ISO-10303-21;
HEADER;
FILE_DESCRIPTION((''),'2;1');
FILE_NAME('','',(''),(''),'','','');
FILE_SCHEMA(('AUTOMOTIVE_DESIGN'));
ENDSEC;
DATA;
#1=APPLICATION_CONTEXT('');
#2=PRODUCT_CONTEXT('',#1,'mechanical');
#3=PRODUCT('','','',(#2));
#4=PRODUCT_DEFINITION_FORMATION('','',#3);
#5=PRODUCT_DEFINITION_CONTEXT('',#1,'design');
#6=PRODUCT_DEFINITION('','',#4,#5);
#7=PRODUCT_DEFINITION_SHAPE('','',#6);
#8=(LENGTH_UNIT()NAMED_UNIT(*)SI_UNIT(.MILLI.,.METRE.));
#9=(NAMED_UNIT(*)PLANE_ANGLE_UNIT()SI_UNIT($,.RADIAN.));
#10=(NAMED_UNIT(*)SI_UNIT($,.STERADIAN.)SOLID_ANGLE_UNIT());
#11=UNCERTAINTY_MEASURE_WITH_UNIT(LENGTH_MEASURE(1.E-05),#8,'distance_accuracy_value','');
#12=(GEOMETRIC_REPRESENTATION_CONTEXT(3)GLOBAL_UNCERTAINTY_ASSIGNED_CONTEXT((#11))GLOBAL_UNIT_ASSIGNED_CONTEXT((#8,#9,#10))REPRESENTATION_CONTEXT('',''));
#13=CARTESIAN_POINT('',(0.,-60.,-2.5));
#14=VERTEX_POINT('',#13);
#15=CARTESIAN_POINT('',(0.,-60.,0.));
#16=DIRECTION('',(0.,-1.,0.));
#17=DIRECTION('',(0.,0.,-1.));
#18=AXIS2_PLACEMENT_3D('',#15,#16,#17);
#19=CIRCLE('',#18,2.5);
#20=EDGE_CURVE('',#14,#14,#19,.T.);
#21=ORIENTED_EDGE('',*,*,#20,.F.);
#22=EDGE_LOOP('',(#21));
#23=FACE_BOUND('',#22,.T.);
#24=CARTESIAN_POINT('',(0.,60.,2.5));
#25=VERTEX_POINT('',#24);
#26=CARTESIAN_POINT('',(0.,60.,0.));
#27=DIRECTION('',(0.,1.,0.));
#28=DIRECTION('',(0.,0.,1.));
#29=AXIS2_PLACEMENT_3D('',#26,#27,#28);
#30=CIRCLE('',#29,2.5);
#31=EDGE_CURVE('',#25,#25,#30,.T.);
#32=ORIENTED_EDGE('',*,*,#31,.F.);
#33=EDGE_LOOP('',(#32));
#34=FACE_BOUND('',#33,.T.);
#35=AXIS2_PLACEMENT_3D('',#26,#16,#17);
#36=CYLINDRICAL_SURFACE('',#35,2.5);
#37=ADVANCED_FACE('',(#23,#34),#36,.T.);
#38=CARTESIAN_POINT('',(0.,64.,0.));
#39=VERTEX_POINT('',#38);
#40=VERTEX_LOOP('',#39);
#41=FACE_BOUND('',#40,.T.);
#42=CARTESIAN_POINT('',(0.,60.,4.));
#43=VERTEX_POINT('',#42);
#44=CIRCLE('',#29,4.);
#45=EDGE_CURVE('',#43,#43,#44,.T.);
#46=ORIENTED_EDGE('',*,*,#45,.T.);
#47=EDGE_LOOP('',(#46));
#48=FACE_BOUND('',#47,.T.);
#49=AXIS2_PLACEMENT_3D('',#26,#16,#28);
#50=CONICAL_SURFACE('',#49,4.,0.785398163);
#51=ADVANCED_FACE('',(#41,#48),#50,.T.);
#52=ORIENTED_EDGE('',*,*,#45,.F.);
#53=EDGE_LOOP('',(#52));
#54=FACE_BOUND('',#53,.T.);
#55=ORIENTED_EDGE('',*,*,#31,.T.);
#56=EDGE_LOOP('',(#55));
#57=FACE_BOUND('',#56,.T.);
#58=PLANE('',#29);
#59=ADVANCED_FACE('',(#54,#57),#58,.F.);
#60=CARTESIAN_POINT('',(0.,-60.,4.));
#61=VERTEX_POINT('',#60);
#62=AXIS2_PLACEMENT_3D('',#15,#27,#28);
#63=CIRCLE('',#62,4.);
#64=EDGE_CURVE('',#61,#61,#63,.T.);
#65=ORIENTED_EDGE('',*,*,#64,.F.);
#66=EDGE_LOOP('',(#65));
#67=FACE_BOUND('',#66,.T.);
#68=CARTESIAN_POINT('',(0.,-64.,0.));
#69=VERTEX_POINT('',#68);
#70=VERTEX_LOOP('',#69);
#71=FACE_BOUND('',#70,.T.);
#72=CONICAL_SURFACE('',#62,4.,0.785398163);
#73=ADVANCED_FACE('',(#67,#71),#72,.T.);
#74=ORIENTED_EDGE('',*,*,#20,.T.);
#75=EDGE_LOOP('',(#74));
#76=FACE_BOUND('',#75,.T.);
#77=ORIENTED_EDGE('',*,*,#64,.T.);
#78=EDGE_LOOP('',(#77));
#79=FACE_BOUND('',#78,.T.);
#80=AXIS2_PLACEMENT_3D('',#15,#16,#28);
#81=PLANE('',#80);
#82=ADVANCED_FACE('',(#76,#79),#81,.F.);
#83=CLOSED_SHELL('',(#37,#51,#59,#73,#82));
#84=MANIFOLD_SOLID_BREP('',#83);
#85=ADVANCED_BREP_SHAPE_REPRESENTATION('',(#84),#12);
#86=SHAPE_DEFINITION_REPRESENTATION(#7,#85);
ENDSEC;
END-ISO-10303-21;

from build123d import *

# Parameters (mm, degrees)
SKETCH1_R           = 2.5
BOSS_EXTRUDE1_DEPTH = 60


with BuildPart() as part:
    # Sketch1 → Boss-Extrude1 (new, symmetric)
    with BuildSketch(Plane(origin=(0, 0, 0), x_dir=(1, 0, 0), z_dir=(0, 1, 0))):
        with Locations(Location((0, 0, 0), (0, 0, 270))):
            Circle(SKETCH1_R)
    extrude(amount=BOSS_EXTRUDE1_DEPTH, both=True)


with BuildPart() as body_2:
    # Boss-Extrude2 cone 1 section (through the dimple's axis) → Boss-Extrude2 (revolve)
    with BuildSketch(Plane(origin=(0, 60, 0), x_dir=(0, 0, -1), z_dir=(1, 0, 0))):
        Polygon((0, 0), (4, 0), (0, 4), align=None)
    revolve(axis=Axis((0, 60, 0), (0, 1, 0)))


with BuildPart() as body_3:
    # Mirror1: mirrored copy
    add(body_2.part.mirror(Plane.ZX))


with BuildPart() as part_1:
    add(part.part)

    # Combine1: union body 2, body 3
    add(body_2.part)
    add(body_3.part)


solid = part_1.part
